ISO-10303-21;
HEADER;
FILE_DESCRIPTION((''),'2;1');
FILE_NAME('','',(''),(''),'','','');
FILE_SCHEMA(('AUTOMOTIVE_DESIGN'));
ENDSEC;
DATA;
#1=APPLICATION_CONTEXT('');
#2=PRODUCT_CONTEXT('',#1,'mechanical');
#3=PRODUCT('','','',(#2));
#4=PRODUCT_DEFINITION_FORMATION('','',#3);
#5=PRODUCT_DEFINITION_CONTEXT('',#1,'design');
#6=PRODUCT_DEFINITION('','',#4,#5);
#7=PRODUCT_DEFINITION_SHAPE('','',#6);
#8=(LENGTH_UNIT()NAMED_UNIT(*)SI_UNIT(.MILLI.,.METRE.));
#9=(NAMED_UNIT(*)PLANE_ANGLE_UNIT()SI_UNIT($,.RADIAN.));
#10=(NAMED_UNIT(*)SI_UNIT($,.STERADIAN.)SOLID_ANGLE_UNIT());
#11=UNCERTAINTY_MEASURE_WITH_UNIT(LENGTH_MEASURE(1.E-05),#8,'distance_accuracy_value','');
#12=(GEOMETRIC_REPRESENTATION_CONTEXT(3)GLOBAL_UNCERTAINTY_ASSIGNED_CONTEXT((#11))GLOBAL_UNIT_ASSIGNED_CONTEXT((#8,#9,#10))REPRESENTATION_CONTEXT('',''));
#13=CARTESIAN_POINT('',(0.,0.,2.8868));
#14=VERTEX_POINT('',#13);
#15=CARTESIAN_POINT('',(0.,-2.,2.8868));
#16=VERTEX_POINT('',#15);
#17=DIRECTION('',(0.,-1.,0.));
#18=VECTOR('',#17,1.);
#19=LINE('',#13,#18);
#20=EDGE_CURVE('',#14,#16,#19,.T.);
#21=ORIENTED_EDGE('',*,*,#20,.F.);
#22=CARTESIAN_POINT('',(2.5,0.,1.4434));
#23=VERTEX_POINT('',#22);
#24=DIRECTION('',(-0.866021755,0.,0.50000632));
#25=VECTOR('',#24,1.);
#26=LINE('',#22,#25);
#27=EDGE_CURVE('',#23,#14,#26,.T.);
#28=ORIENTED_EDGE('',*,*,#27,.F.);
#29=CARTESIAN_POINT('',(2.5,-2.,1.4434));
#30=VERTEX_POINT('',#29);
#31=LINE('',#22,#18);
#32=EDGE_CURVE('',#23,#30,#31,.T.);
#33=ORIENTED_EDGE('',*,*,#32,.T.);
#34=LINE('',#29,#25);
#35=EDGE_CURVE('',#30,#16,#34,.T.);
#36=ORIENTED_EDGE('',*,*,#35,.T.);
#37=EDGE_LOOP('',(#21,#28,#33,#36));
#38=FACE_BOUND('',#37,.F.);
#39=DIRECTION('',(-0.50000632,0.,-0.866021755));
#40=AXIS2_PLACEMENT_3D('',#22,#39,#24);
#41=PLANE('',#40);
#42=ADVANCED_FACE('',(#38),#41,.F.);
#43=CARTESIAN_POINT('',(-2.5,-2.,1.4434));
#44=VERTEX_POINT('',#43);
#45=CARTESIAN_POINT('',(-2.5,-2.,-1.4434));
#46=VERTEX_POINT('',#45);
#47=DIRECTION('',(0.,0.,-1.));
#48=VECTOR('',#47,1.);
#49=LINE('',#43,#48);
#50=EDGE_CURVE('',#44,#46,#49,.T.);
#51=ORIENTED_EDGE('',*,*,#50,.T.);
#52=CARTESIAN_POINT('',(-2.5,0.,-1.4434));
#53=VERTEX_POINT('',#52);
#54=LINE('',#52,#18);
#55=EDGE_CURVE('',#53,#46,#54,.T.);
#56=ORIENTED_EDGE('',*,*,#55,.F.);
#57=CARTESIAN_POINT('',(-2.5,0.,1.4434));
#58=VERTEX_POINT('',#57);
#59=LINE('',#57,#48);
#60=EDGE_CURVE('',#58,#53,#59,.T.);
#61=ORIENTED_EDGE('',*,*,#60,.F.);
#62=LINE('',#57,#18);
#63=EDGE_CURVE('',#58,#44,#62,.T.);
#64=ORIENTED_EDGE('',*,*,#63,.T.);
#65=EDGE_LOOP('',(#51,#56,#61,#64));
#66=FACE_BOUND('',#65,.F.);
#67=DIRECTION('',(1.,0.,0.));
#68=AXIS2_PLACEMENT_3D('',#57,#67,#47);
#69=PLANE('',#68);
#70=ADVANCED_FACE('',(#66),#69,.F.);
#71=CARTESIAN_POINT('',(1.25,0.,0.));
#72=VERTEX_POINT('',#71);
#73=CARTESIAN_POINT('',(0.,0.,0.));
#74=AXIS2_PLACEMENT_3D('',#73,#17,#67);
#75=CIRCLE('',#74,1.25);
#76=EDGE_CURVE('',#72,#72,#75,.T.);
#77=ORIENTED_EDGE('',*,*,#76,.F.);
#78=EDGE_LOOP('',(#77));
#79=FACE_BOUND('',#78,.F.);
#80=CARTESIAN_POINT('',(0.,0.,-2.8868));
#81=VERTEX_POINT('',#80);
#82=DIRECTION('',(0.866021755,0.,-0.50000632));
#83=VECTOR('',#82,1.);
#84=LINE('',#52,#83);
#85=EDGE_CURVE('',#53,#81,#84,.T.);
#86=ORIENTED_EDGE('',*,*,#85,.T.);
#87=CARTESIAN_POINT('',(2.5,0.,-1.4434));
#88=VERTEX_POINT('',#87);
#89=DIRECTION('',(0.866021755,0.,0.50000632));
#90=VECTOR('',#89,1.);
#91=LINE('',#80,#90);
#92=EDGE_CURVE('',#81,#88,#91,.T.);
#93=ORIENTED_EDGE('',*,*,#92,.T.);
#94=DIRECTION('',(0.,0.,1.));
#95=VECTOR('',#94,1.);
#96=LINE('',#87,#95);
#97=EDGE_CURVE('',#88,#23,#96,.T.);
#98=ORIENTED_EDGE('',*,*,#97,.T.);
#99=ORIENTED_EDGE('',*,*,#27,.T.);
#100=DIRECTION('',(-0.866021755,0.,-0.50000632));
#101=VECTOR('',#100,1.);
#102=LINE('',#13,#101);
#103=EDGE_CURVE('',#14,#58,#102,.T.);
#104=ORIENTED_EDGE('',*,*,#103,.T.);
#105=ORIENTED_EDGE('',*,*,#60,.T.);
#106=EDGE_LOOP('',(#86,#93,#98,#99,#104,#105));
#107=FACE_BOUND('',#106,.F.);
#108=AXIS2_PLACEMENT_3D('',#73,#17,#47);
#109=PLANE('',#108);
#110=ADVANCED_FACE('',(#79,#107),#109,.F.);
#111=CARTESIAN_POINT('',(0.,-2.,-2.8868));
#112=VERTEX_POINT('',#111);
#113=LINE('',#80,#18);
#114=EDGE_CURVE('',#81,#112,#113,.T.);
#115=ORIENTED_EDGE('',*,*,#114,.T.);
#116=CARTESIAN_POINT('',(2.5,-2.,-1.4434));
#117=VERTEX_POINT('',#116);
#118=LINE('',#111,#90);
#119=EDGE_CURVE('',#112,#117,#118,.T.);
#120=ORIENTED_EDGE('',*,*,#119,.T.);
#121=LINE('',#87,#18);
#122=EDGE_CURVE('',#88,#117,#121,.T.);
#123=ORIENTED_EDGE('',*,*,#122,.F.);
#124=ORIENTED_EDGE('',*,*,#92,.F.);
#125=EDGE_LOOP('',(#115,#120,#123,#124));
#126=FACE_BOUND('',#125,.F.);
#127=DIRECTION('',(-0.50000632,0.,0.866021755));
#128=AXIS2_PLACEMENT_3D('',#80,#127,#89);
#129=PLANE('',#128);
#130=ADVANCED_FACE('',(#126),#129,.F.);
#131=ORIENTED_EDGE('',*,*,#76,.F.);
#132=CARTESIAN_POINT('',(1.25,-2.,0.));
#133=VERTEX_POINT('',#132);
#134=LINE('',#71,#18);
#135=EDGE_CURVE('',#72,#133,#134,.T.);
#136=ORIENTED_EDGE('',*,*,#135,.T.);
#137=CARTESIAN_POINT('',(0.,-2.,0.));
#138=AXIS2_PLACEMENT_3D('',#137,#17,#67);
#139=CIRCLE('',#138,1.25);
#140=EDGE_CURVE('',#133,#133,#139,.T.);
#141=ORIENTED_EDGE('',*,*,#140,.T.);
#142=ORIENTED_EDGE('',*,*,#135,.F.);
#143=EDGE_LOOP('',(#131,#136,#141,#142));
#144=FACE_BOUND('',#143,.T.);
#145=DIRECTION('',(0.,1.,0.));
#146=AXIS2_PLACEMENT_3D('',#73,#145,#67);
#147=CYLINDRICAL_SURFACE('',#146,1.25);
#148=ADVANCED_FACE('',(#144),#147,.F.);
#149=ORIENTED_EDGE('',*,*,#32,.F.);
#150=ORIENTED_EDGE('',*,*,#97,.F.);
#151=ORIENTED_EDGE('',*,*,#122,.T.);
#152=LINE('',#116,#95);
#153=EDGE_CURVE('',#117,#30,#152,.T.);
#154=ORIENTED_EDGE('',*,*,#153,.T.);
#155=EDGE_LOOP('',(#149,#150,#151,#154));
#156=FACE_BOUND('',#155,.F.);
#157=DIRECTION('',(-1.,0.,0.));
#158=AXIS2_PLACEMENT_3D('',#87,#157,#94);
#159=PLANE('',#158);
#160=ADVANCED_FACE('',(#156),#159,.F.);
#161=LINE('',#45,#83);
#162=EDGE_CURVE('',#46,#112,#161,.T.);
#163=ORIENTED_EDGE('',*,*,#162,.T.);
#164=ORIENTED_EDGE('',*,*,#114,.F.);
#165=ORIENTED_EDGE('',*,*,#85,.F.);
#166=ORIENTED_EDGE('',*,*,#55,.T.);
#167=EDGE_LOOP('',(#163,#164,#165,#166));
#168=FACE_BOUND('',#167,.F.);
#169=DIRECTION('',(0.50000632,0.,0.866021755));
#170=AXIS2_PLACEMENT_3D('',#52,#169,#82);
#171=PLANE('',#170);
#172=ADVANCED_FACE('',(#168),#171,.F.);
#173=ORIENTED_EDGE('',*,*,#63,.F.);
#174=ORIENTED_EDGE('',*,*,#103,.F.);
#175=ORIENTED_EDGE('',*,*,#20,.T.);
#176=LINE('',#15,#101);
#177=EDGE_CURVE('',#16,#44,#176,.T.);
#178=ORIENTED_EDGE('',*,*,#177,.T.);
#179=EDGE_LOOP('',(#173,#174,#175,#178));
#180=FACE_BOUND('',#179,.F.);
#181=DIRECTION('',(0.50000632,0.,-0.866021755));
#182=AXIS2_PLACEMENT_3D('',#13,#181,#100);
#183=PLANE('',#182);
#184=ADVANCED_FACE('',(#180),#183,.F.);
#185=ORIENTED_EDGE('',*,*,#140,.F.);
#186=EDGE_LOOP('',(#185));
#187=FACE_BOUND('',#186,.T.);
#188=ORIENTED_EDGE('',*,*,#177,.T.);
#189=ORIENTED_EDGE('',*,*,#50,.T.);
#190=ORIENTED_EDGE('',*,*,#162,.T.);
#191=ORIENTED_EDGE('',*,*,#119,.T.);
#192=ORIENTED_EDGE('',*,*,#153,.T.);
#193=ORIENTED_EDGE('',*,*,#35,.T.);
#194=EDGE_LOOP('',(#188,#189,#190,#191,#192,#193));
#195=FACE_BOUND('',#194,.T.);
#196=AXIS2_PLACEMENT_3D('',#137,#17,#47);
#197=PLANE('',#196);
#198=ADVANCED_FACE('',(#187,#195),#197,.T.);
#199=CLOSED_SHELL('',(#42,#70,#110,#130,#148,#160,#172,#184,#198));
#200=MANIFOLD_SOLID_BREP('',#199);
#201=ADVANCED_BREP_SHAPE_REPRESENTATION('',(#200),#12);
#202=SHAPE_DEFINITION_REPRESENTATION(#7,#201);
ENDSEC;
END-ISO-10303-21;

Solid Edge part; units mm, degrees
sketch "Sketch1" plane through (0, 0, 0) normal (0, -1, 0) x (1, 0, 0)
  line L0 (2.5, 1.4434) -> (0, 2.8868)
  line L1 (0, 2.8868) -> (-2.5, 1.4434)
  line L2 (-2.5, 1.4434) -> (-2.5, -1.4434)
  line L3 (-2.5, -1.4434) -> (0, -2.8868)
  line L4 (0, -2.8868) -> (2.5, -1.4434)
  line L5 (2.5, -1.4434) -> (2.5, 1.4434)
  circle A0 centre (0, 0) radius 1.25
  dimension "D1" = 5
  dimension "D2" = 2.5
extrude "Protrusion1" add sketch "Sketch1" along normal blind 2
cosmetic_thread "Thread1" size "M2.5"
properties material "Steel"
